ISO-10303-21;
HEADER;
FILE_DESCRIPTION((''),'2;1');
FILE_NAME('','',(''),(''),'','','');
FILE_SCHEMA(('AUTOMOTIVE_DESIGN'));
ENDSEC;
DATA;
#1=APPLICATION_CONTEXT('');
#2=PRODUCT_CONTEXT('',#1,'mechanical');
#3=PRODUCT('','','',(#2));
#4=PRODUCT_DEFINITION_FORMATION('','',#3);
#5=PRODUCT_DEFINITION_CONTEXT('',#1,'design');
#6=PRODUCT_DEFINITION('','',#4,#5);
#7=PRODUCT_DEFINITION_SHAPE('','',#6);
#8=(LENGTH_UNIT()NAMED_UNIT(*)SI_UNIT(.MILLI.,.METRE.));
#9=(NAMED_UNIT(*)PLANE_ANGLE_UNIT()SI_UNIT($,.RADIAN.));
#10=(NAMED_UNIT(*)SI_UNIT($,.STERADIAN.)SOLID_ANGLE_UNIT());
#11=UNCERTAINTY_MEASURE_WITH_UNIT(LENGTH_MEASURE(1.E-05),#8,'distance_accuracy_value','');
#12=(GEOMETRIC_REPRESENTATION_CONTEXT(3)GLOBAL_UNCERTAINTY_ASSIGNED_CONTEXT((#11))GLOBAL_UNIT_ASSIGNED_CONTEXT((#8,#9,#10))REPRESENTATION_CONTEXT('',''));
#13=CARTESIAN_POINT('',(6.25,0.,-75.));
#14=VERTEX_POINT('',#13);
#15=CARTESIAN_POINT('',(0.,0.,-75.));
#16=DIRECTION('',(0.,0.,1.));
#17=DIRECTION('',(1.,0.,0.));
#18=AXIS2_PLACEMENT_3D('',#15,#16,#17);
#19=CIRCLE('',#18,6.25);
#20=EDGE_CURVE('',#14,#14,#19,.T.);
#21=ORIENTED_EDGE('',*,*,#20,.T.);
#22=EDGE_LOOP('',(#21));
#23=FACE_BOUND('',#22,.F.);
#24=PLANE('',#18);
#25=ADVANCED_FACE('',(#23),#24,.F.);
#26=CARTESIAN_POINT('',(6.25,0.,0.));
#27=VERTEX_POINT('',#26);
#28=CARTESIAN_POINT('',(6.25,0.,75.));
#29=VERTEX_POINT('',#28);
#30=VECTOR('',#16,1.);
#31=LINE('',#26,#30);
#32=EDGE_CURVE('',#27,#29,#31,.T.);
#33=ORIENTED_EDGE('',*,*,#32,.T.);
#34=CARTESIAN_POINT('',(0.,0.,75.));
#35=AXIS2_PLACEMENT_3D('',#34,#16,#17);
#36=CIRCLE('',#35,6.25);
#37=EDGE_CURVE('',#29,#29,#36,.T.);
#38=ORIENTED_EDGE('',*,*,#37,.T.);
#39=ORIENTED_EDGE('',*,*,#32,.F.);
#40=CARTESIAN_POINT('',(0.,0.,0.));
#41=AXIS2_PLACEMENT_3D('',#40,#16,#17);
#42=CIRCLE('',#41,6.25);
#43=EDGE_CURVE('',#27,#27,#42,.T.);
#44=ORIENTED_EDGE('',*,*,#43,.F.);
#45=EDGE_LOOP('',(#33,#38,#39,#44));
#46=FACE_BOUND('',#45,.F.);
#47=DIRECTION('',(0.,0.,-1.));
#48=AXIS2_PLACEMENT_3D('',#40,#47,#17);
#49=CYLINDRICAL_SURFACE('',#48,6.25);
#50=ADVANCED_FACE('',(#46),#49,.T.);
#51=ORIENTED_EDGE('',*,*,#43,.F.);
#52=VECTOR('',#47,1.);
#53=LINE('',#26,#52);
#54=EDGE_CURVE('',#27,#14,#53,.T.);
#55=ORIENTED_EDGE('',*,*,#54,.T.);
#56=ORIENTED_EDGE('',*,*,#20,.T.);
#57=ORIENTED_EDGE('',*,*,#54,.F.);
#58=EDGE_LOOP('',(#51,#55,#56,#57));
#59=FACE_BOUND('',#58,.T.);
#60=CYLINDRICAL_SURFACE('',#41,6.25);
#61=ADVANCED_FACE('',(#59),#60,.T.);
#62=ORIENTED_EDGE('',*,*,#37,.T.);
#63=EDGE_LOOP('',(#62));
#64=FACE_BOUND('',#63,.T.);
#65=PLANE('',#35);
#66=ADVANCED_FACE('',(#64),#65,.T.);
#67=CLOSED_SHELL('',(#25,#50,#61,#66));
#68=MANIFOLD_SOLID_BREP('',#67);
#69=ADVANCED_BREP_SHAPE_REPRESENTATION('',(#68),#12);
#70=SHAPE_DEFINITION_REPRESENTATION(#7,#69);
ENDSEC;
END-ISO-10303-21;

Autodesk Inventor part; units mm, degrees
ref_plane "YZ Plane" through (0, 0, 0) normal (1, 0, 0) x (0, 1, 0)
ref_plane "XZ Plane" through (0, 0, 0) normal (0, 1, 0) x (-1, 0, 0)
ref_plane "XY Plane" through (0, 0, 0) normal (0, 0, 1) x (1, 0, 0)
sketch "Sketch1" plane through (0, 0, 0) normal (0, 0, 1) x (1, 0, 0)
  circle A0 centre (0, 0) radius 6.25
  dimension "d0" = 12.5
extrude "Extrusion1" add sketch "Sketch1" along normal mid plane 150
ref_plane "Work Plane1" through (0, 0, 71) normal (0, 0, 1) x (1, 0, 0)
equation "\"d1\" = Roller_width"
equation "\"Roller_width\" = 150"
properties part number "ADSK-MH-10016" material "Steel, Mild"
